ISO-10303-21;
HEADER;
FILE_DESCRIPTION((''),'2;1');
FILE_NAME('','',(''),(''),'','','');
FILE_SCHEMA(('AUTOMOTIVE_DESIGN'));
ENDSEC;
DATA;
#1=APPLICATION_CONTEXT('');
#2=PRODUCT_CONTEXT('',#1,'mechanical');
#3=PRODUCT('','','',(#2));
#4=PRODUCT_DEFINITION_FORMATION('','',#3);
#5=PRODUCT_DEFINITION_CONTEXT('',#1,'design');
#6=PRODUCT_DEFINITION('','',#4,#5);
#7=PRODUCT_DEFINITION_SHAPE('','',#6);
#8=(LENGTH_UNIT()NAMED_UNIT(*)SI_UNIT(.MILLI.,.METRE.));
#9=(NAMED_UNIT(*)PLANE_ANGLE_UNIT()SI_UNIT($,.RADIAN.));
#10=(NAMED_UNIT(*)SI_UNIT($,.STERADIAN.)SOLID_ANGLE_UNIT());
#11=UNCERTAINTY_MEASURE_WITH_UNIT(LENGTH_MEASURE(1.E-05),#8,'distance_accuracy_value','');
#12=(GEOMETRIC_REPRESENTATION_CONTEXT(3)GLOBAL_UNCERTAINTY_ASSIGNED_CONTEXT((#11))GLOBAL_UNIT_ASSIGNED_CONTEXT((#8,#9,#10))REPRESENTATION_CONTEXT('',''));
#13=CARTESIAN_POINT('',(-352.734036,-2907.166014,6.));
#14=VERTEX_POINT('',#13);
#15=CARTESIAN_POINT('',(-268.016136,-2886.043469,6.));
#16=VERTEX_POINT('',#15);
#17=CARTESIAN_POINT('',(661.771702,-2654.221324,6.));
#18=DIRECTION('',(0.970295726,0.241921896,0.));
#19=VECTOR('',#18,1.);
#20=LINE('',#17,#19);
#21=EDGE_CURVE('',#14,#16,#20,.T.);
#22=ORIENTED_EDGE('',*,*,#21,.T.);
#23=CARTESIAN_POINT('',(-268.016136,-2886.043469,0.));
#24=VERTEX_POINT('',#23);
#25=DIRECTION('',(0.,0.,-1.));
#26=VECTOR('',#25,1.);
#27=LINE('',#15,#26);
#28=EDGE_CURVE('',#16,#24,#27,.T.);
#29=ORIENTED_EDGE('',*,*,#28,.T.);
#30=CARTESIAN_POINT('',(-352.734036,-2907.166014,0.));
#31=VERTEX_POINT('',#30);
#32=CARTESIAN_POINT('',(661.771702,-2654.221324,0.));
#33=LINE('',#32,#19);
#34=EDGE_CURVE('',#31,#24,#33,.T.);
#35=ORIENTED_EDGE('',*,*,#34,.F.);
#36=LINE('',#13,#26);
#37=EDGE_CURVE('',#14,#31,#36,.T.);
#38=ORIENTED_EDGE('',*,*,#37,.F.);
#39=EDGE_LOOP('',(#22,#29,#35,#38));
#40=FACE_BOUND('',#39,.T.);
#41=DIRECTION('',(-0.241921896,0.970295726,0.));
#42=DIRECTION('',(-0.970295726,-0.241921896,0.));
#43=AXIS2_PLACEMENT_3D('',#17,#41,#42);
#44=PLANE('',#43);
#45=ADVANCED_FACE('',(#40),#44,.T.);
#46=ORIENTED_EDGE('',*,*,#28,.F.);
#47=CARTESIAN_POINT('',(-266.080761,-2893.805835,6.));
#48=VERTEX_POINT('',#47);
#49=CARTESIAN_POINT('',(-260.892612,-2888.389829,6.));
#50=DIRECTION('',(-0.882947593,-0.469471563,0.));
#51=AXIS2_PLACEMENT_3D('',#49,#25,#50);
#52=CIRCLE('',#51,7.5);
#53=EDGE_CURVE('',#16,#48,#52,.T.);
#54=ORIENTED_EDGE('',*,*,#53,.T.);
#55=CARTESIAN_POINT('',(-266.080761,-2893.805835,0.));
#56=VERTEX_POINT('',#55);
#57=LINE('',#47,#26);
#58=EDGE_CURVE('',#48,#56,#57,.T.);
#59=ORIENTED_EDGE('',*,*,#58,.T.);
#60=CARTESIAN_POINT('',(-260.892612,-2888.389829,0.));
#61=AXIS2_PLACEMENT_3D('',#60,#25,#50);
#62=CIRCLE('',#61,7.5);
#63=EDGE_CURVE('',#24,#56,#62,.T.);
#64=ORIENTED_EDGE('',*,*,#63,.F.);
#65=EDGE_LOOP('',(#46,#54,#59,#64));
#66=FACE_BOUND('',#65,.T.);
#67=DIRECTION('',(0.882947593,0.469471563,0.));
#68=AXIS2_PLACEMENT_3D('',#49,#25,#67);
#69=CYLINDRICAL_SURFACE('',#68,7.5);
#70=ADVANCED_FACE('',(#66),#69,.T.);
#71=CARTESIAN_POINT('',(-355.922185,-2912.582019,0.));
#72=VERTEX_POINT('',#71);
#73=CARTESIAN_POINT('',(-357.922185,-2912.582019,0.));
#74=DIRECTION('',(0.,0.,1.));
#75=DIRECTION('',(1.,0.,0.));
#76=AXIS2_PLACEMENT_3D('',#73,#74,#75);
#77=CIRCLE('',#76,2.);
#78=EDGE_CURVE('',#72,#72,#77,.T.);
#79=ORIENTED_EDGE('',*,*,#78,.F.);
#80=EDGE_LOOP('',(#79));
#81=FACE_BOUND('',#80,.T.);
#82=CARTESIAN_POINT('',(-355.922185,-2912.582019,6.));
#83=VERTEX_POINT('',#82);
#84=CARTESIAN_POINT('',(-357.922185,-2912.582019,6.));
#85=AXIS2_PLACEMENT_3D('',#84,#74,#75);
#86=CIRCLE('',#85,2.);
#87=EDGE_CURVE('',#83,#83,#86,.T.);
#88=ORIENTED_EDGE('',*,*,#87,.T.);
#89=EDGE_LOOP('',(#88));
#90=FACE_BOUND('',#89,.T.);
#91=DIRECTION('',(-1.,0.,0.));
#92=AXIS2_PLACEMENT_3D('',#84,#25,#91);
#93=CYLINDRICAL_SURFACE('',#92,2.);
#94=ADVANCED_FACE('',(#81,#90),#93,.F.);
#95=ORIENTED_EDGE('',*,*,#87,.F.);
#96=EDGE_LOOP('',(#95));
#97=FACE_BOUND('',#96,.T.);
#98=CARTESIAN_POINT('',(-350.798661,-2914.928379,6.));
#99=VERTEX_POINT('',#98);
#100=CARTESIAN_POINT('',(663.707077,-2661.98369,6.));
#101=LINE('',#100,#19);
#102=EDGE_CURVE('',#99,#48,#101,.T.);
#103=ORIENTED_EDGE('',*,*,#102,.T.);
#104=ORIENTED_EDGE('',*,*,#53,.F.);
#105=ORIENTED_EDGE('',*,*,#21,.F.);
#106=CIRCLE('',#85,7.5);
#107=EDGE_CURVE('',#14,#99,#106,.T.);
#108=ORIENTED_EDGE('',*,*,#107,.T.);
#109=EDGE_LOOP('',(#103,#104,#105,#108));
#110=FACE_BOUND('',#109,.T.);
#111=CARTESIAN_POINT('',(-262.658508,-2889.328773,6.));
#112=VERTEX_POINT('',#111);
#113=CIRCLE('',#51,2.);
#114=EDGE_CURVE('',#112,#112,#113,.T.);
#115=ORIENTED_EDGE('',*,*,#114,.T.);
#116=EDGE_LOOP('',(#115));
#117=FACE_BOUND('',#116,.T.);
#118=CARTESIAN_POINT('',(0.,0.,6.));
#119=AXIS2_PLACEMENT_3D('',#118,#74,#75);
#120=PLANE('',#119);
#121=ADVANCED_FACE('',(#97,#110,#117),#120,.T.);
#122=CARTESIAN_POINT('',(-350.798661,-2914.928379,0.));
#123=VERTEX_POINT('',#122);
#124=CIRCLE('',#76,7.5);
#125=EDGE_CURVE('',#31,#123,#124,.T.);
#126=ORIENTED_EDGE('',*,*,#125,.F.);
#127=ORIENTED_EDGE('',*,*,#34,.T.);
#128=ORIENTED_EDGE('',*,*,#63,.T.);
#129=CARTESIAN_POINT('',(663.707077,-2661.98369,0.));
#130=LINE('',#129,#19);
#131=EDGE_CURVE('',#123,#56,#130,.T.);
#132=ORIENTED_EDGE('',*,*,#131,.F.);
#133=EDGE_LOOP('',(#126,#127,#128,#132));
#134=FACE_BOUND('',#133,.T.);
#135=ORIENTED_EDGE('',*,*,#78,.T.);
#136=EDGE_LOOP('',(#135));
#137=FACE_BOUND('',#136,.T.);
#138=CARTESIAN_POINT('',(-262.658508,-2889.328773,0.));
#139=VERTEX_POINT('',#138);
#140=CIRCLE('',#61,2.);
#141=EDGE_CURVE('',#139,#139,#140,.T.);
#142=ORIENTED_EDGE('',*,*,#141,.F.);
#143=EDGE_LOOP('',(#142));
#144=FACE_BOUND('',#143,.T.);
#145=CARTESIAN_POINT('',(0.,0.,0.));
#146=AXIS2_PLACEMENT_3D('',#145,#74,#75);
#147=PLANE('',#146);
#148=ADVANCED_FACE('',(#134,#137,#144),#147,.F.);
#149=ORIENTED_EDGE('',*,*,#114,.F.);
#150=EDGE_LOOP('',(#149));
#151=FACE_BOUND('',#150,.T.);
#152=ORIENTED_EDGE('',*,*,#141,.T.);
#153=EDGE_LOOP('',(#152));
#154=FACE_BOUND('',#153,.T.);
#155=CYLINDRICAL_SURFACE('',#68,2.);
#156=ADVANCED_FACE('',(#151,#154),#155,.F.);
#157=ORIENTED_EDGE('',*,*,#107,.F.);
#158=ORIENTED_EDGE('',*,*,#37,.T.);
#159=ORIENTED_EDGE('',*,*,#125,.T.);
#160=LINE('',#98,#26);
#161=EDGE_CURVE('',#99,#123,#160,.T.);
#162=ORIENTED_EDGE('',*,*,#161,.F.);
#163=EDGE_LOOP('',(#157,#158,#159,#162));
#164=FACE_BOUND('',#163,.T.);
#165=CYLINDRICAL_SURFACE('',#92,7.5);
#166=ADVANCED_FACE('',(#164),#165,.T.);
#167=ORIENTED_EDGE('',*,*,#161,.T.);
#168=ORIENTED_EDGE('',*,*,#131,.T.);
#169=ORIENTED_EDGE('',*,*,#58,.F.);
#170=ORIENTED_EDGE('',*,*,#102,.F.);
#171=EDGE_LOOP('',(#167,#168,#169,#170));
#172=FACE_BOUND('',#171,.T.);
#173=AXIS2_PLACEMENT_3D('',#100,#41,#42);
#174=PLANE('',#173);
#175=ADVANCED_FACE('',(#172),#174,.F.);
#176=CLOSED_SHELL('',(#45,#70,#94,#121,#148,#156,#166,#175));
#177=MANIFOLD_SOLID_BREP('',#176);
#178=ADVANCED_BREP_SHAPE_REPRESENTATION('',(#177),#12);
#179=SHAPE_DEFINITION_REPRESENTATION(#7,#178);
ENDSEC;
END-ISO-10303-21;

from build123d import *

# Parameters (mm, degrees)
SKETCH1_R           = 2
BOSS_EXTRUDE1_DEPTH = 6


with BuildPart() as part:
    # Sketch1 → Boss-Extrude1 (new body)
    with BuildSketch(Plane(origin=(-250.576496127, -2880.89736156, 0), x_dir=(0.2387018630194584, 0.9710929000827057, 0), z_dir=(0, 0, 1))):
        with BuildLine():
            Line((-29.52735978, 54.320605501), (-49.894496726, 92.934085733))
            ThreePointArc((-49.894496726, 92.934085733), (-59.891411997, 103.313200176), (-56.970497395, 89.201765471))
            Line((-56.970497395, 89.201765471), (-36.603360449, 50.588285239))
            Line((-36.603360449, 50.588285239), (-29.52735978, 54.320605501))
        make_face()
        with Locations((-56.392361751, 96.67944955)):
            Circle(SKETCH1_R, mode=Mode.SUBTRACT)
    extrude(amount=BOSS_EXTRUDE1_DEPTH)

    # Mirror3: part across plane


with BuildPart() as part_1:
    add(part.part)
    add(part.part.mirror(Plane(origin=(-972.146788094, -242.383417146, 6), x_dir=(0, 0, 1), z_dir=(-0.9702957262759991, -0.2419218955996574, 0))))


solid = part_1.part
